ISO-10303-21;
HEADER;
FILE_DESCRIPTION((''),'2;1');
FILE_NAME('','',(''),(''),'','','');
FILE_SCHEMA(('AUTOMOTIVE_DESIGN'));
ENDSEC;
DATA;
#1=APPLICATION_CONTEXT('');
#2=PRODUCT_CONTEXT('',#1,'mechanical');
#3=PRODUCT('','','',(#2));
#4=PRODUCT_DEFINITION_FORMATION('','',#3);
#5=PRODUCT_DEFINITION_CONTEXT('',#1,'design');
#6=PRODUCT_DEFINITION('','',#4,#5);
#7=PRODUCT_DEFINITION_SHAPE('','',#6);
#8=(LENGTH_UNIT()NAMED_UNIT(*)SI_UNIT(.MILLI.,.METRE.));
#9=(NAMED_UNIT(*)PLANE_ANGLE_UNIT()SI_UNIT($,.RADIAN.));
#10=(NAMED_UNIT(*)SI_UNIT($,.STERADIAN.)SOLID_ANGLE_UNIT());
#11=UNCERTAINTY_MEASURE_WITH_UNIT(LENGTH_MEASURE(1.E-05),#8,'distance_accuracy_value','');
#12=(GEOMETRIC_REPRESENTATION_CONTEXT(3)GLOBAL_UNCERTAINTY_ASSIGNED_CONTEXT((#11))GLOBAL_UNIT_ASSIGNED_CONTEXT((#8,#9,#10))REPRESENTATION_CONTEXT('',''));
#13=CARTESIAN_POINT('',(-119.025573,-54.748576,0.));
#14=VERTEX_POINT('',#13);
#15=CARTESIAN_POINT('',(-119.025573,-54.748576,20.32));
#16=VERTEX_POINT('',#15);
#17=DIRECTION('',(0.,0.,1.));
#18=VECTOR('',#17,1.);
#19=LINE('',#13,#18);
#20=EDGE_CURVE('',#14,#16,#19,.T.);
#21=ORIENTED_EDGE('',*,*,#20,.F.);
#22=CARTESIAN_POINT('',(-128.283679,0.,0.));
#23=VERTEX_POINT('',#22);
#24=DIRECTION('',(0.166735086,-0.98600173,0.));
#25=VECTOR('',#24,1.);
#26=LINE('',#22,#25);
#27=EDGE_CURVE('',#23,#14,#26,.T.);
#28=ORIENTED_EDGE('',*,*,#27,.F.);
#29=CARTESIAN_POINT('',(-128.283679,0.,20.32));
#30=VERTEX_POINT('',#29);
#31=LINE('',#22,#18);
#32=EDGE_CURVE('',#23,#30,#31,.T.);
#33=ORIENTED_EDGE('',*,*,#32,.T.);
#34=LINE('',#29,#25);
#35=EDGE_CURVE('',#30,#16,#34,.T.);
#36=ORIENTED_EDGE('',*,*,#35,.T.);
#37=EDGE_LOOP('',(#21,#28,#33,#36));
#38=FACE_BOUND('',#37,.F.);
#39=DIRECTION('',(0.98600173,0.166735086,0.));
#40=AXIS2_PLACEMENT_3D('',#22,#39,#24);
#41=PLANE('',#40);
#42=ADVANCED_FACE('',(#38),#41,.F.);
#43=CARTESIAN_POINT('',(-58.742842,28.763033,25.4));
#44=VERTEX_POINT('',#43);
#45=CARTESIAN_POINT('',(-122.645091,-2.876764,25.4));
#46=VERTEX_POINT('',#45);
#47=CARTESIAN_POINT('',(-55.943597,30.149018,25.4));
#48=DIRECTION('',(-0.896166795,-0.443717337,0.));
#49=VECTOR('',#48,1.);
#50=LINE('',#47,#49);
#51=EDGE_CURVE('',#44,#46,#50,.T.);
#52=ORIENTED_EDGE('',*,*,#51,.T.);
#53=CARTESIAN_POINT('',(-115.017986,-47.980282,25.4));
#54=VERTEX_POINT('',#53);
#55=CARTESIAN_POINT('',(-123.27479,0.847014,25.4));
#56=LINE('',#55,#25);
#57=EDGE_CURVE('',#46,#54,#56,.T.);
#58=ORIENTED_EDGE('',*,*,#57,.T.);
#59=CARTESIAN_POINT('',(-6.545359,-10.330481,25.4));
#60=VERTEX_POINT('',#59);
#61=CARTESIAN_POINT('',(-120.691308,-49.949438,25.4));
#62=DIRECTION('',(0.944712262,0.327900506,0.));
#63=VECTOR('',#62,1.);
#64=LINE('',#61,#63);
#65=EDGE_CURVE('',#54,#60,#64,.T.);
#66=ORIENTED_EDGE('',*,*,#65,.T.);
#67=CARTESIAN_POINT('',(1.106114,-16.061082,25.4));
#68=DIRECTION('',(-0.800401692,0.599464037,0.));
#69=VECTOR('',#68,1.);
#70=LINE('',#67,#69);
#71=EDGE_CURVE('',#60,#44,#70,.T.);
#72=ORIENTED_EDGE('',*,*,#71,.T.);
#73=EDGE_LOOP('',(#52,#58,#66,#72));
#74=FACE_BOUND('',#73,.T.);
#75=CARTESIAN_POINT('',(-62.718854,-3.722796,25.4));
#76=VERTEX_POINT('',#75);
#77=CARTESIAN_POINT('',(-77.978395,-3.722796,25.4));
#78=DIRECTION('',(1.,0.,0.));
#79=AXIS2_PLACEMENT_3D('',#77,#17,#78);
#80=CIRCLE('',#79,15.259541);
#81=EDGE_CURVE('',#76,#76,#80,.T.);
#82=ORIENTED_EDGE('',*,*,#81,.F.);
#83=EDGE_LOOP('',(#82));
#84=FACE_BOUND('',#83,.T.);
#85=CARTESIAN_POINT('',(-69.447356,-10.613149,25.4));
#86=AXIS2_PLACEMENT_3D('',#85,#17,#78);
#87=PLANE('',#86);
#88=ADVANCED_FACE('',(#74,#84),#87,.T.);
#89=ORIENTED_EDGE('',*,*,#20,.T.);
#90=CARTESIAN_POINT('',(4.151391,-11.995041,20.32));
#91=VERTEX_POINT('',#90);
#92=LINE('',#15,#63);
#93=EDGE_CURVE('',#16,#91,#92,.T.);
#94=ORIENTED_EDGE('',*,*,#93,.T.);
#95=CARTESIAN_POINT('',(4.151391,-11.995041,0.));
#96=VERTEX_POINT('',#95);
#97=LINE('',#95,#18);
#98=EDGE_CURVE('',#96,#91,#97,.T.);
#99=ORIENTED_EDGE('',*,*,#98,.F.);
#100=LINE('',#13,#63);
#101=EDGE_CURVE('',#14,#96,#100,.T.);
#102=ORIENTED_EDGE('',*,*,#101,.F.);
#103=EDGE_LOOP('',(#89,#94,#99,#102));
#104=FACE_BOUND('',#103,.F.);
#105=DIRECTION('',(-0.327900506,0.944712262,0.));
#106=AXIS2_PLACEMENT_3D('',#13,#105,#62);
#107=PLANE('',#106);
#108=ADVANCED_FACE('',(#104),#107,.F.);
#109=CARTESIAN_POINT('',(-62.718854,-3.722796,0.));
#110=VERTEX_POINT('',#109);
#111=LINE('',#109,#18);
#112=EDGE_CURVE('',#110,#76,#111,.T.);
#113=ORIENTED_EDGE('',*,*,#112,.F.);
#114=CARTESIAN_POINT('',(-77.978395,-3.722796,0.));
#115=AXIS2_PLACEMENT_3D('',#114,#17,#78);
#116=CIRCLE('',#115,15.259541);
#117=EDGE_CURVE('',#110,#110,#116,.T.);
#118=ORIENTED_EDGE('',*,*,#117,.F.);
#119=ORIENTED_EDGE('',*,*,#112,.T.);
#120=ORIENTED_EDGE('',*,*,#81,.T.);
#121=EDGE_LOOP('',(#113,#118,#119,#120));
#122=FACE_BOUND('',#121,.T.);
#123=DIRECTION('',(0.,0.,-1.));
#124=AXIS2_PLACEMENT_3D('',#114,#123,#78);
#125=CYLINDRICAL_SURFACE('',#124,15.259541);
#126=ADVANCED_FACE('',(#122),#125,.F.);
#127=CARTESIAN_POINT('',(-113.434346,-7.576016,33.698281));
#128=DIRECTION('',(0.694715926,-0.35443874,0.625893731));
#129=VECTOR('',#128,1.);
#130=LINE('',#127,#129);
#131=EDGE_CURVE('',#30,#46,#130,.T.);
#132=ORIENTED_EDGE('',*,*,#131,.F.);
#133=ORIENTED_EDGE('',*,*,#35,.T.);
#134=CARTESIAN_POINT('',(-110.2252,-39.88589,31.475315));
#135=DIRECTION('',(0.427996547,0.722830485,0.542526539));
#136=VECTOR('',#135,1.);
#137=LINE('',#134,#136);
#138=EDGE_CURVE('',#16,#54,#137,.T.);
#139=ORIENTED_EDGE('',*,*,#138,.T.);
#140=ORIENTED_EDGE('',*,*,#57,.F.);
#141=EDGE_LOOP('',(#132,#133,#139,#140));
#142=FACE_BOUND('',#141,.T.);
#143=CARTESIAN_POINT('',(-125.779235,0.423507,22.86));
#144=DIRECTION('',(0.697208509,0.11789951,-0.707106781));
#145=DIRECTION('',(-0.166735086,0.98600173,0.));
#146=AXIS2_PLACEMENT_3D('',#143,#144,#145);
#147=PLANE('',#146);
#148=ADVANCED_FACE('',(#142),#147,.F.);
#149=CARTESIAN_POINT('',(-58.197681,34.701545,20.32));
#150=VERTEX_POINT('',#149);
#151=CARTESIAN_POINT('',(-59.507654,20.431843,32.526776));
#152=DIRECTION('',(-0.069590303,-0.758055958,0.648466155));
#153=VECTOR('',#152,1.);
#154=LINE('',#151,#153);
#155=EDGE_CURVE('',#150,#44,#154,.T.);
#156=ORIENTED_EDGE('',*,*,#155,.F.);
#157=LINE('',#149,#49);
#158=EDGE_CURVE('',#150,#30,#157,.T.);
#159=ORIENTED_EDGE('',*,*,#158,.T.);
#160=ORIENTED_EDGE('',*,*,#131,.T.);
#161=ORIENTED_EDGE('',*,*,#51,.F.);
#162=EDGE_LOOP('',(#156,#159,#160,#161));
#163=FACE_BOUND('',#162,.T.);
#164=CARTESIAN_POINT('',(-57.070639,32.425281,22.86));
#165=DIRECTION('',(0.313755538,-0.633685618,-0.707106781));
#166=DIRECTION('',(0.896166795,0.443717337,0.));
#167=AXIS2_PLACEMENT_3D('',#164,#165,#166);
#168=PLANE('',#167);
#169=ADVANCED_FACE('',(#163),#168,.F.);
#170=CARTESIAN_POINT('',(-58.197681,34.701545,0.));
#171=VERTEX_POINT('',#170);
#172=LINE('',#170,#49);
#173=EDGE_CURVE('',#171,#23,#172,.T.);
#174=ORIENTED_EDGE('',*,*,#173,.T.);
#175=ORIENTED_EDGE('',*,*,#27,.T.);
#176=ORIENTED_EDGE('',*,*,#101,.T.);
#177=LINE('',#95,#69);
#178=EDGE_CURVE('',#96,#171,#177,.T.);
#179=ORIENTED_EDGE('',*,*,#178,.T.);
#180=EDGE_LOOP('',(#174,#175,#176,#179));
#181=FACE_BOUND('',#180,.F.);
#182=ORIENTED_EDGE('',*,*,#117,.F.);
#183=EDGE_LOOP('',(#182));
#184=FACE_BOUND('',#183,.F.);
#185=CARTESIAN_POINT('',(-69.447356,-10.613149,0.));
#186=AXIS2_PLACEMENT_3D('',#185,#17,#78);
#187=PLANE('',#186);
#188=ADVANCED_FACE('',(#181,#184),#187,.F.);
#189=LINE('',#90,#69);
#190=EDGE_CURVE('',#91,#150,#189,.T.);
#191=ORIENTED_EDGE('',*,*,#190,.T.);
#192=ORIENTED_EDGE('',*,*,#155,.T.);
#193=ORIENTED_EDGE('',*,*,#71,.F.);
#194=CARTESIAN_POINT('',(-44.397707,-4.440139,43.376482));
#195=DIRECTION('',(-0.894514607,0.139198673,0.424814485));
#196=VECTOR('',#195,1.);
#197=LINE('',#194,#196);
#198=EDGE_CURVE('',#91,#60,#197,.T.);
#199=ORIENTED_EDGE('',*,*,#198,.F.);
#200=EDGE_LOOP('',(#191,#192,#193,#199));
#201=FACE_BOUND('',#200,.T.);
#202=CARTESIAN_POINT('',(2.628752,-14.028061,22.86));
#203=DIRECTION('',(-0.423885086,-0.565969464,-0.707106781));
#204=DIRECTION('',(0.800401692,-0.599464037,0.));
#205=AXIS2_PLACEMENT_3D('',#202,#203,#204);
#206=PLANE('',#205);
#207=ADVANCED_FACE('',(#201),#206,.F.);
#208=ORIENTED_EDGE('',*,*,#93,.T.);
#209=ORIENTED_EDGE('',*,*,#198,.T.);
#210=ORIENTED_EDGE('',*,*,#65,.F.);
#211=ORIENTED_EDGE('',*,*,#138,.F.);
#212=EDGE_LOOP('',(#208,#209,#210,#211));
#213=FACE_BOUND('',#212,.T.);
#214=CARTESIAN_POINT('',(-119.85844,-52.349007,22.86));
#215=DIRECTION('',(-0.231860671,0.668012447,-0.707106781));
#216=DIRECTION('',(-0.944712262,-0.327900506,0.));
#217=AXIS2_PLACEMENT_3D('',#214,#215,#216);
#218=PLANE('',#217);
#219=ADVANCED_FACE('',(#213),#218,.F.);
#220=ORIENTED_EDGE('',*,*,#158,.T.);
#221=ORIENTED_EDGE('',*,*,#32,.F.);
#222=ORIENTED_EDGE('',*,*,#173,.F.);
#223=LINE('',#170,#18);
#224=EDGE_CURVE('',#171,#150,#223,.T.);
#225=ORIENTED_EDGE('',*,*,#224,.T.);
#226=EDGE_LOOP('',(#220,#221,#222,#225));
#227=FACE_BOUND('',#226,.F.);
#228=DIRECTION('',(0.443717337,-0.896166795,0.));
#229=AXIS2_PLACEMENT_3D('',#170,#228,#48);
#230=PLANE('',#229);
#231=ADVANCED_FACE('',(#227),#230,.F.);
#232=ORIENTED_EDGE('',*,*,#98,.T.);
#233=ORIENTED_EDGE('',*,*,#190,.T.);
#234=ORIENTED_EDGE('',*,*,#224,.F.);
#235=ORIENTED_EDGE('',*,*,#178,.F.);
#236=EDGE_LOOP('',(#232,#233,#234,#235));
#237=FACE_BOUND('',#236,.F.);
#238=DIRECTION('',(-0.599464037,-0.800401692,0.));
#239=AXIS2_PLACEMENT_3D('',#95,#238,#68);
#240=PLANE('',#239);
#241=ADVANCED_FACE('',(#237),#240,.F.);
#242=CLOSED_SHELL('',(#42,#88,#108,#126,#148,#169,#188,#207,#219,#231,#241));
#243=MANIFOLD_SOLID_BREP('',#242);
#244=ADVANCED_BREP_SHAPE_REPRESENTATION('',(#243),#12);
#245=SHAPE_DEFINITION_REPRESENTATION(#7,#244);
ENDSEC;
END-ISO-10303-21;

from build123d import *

# Parameters (mm, degrees)
F0_R     = 15.259541
F1_DEPTH = 25.4
F2_SIZE  = 5.08


with BuildPart() as f1:
    # F0 (on Top) → F1 (new body)
    with BuildSketch(Plane.XY):
        Polygon((-58.197681, 34.701545), (-128.283679, 0), (-119.025573, -54.748576), (4.151391, -11.995041), align=None)
        with Locations((-77.978395, -3.722796)):
            Circle(F0_R, mode=Mode.SUBTRACT)
    extrude(amount=F1_DEPTH)

    # F2
    f2_edges = [f1.edges().sort_by_distance(p)[0] for p in [
        (-93.24068, 17.350772, 25.4),
        (-123.654626, -27.374288, 25.4),
        (-57.437091, -33.371808, 25.4),
        (-27.023145, 11.353252, 25.4),
    ]]
    chamfer(f2_edges, length=F2_SIZE)


solid = f1.part
